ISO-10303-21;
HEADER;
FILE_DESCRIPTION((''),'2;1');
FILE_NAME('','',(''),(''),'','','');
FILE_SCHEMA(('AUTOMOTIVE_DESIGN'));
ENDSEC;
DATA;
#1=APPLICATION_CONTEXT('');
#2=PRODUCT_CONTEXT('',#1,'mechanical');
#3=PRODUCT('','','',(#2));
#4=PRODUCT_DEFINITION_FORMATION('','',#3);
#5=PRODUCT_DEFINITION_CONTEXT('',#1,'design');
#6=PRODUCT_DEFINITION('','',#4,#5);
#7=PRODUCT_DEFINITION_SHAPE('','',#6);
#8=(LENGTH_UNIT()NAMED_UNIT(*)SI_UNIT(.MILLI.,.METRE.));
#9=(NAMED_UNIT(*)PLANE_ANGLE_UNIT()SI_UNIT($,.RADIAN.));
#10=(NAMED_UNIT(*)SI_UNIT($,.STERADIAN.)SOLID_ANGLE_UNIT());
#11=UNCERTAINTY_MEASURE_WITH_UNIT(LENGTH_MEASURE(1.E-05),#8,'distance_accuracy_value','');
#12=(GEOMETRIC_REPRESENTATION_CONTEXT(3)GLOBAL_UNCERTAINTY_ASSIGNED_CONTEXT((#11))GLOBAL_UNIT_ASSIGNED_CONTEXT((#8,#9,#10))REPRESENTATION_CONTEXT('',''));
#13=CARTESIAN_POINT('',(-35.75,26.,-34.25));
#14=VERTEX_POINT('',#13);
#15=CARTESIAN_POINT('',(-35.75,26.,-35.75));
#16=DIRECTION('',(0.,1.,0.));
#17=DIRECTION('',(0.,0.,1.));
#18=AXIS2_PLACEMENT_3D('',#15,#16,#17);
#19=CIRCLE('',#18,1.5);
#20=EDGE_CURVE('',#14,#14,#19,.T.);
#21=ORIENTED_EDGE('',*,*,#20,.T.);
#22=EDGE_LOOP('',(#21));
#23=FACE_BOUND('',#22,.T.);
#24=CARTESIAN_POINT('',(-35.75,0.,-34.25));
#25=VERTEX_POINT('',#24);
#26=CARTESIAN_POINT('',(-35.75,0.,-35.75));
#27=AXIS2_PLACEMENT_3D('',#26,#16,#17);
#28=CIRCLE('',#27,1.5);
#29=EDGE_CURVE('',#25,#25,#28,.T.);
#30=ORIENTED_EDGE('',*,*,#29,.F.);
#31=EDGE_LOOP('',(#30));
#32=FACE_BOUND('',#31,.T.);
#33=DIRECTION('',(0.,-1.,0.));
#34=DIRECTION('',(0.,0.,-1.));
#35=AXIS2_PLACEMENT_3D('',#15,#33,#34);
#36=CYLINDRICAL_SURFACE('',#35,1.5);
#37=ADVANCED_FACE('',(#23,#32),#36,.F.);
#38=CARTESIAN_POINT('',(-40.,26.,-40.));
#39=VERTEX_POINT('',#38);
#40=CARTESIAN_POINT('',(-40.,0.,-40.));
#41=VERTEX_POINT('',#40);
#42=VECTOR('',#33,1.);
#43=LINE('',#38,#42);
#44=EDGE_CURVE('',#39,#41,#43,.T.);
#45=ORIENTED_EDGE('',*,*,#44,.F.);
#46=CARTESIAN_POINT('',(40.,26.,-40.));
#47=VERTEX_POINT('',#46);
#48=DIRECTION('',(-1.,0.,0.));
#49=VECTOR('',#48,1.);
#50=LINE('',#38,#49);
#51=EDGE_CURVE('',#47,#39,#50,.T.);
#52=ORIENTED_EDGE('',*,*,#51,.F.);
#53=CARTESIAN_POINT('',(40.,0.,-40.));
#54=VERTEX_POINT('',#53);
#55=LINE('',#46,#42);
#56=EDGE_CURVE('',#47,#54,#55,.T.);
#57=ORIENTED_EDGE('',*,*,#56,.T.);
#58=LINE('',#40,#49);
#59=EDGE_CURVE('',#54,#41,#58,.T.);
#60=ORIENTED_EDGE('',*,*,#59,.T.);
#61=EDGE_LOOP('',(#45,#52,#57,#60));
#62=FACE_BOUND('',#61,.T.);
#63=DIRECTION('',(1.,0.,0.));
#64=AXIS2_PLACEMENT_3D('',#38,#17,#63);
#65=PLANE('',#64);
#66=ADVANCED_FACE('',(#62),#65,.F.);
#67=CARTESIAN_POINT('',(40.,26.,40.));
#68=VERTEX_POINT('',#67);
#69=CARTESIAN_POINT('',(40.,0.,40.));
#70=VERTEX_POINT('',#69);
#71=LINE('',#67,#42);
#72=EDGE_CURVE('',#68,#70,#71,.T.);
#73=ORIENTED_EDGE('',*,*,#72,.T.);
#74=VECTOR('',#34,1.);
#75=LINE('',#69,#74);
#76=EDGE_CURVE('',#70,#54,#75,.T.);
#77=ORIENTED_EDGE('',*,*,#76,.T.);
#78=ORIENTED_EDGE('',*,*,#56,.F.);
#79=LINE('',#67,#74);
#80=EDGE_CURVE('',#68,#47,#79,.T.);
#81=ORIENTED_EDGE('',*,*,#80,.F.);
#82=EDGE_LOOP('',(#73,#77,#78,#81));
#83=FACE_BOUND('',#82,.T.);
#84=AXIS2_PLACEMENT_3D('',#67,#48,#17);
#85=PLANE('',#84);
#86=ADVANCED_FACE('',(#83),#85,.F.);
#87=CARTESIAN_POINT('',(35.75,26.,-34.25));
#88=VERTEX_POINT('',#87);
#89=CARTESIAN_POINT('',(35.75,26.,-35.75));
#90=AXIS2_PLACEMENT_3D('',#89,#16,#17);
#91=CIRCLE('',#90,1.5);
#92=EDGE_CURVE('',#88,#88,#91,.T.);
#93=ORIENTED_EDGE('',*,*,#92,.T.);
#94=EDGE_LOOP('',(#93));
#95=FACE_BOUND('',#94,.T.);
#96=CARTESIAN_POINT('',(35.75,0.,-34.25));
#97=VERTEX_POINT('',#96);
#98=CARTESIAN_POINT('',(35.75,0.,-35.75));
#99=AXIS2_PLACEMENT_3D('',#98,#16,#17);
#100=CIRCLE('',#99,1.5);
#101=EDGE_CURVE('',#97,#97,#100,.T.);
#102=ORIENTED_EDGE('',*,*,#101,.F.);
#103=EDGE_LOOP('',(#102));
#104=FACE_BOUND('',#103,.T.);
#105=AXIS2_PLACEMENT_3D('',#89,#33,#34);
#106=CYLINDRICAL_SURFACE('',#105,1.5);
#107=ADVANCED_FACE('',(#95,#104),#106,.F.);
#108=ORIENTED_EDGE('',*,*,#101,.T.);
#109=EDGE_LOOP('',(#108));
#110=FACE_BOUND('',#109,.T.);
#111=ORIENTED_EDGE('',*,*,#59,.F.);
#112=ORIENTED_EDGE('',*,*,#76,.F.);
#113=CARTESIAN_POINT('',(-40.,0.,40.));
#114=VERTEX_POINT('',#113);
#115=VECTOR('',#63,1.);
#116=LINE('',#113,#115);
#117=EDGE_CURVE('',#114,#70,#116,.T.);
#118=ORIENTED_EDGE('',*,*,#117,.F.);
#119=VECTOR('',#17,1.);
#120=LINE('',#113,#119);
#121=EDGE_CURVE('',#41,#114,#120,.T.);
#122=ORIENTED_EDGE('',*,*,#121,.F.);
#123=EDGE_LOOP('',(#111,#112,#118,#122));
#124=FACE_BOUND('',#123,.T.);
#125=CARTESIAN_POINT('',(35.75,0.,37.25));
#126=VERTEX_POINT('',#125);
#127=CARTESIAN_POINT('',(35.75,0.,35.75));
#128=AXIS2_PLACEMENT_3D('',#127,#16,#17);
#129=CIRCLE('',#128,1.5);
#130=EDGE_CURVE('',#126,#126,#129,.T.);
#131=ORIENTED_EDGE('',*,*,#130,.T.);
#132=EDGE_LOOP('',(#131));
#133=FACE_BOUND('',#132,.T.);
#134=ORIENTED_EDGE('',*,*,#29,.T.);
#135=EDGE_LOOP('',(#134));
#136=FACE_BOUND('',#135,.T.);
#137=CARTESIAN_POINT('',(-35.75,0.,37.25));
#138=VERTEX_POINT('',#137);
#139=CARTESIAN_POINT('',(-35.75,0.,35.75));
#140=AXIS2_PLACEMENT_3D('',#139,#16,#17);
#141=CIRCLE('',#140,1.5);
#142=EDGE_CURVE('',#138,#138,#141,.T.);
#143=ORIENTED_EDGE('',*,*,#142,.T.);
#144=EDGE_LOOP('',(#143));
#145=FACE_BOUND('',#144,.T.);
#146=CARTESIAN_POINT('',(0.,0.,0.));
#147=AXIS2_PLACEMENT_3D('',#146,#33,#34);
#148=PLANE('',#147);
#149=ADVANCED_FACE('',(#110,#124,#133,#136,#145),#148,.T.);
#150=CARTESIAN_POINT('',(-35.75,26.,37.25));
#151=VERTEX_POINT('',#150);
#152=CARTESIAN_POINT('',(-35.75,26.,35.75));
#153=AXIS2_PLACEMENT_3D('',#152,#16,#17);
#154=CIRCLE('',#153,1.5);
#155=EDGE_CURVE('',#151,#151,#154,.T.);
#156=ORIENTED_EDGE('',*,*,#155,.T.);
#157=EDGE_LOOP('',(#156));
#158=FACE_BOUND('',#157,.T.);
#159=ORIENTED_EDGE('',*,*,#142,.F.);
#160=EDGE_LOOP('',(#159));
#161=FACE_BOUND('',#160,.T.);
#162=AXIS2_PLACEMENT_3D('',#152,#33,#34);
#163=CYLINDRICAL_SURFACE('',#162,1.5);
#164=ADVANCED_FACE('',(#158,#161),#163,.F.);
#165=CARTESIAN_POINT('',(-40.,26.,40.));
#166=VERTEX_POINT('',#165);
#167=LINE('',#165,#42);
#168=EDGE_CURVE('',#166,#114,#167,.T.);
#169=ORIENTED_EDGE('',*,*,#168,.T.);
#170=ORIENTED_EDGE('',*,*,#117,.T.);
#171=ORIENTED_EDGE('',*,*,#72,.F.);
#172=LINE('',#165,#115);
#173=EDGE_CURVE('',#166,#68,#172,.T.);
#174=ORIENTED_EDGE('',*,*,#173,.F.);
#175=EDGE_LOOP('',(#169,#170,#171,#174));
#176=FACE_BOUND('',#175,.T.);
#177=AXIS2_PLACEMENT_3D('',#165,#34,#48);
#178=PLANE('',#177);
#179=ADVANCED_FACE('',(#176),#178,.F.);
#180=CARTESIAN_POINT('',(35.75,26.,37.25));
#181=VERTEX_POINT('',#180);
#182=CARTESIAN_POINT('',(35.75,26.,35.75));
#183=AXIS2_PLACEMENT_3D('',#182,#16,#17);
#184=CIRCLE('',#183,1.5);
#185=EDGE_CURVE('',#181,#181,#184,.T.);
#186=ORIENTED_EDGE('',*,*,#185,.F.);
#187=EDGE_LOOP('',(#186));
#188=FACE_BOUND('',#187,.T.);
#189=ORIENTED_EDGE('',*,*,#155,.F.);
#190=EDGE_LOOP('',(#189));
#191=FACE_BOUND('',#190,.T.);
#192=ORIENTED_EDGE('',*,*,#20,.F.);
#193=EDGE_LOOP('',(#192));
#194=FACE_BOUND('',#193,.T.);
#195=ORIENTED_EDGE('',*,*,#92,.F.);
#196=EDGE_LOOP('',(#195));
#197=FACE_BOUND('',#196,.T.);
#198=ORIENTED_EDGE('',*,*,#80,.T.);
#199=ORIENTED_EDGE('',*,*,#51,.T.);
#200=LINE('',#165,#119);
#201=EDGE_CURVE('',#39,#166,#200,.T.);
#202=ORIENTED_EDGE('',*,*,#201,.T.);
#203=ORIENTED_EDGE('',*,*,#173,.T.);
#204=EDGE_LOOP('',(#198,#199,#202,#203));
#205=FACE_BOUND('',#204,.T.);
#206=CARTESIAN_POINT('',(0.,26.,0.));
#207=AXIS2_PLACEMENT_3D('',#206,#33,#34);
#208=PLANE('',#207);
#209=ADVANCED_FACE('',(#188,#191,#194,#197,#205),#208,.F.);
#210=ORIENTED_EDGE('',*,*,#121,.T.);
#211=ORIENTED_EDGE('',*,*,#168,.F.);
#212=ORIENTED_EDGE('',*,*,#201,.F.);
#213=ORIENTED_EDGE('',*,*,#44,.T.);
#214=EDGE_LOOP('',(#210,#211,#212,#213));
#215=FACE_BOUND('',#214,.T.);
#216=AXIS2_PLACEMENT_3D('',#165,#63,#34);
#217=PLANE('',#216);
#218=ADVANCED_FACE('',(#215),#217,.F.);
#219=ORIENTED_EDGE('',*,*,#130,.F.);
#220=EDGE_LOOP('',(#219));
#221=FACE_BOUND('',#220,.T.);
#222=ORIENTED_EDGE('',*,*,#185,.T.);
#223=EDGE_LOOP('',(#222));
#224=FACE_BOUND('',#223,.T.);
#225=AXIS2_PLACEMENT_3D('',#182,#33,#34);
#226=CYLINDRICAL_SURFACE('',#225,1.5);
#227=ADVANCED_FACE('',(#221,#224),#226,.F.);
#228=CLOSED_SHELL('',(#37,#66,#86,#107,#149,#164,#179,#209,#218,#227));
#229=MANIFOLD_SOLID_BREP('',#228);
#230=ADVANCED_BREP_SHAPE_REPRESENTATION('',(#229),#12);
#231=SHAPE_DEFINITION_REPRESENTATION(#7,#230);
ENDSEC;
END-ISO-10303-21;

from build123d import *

# Parameters (mm, degrees)
SKETCH1_W           = 80
SKETCH1_H           = 80
SKETCH1_R           = 1.5
BOSS_EXTRUDE1_DEPTH = 26


with BuildPart() as part:
    # Sketch1 → Boss-Extrude1 (new body)
    with BuildSketch(Plane(origin=(0, 0, 0), x_dir=(1, 0, 0), z_dir=(0, 1, 0))):
        Rectangle(SKETCH1_W, SKETCH1_H)
        with Locations((35.75, 35.75)):
            Circle(SKETCH1_R, mode=Mode.SUBTRACT)
        with Locations((-35.75, 35.75)):
            Circle(SKETCH1_R, mode=Mode.SUBTRACT)
        with Locations((-35.75, -35.75)):
            Circle(SKETCH1_R, mode=Mode.SUBTRACT)
        with Locations((35.75, -35.75)):
            Circle(SKETCH1_R, mode=Mode.SUBTRACT)
    extrude(amount=BOSS_EXTRUDE1_DEPTH)


solid = part.part
